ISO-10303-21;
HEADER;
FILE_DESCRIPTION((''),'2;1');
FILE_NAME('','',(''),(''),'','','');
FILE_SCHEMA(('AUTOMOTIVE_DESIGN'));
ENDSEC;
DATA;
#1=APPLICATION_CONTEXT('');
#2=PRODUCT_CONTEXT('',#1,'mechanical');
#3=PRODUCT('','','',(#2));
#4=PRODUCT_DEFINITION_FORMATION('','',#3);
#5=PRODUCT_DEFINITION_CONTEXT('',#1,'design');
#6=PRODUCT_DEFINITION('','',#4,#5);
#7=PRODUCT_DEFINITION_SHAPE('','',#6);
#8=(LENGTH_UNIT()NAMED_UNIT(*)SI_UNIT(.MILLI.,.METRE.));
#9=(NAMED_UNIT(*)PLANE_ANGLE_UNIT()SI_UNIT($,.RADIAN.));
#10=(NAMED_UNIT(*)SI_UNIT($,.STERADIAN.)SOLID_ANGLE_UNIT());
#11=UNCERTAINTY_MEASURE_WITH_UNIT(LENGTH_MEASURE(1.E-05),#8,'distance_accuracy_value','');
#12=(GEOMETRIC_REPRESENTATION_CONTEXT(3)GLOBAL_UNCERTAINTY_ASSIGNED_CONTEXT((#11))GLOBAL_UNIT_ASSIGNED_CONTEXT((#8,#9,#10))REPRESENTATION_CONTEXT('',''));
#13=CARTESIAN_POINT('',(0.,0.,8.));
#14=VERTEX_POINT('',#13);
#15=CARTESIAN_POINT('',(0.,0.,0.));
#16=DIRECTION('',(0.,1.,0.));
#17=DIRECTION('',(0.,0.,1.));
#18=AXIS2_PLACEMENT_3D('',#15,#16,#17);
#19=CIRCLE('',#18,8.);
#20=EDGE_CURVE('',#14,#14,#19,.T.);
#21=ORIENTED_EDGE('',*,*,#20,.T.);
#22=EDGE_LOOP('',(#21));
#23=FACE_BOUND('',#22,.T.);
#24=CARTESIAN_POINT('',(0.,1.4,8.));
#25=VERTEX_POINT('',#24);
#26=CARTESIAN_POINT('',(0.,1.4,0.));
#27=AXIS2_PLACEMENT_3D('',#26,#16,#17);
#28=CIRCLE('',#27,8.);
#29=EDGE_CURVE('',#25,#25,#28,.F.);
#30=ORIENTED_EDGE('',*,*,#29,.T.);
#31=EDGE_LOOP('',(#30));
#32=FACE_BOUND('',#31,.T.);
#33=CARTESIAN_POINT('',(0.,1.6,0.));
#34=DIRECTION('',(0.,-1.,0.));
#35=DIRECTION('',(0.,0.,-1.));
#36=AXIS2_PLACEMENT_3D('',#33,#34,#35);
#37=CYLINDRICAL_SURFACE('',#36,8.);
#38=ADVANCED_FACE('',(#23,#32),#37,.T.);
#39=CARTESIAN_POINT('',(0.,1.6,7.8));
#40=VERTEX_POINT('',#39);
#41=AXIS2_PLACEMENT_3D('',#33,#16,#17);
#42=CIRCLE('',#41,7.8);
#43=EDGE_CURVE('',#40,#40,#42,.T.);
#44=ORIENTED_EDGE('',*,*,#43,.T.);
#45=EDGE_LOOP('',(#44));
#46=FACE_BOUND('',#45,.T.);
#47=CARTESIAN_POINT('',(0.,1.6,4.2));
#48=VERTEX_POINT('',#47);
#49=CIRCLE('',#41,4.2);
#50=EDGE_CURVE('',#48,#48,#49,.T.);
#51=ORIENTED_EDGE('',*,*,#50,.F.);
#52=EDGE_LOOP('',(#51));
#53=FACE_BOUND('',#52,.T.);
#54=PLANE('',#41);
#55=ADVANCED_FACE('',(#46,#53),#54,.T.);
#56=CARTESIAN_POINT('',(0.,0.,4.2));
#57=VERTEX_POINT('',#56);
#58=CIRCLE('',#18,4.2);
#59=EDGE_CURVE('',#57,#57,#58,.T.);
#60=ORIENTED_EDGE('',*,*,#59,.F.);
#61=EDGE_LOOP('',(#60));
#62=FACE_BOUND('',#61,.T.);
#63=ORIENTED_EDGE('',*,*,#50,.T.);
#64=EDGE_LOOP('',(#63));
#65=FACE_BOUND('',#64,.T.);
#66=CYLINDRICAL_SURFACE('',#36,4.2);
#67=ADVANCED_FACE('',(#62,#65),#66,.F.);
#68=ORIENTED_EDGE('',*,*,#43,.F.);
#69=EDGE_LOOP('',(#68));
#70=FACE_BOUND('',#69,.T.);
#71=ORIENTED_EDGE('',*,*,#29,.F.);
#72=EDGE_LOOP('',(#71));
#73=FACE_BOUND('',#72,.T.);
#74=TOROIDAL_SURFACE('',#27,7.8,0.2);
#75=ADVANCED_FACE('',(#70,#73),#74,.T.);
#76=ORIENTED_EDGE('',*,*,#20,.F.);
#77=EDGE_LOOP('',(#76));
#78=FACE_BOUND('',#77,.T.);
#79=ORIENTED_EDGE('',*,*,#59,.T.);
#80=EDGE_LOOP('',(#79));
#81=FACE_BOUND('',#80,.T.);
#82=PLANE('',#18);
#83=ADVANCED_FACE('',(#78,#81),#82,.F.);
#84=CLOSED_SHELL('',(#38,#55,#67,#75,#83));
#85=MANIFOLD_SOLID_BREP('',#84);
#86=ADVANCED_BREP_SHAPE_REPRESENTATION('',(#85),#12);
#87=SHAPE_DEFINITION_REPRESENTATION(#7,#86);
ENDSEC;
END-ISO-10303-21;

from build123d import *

# Parameters (mm, degrees)
SKETCH1_R           = 8
SKETCH1_R_2         = 4.2
BOSS_EXTRUDE1_DEPTH = 1.6
FILLET1_R           = 0.2


with BuildPart() as part:
    # Sketch1 → Boss-Extrude1 (new body)
    with BuildSketch(Plane(origin=(0, 0, 0), x_dir=(1, 0, 0), z_dir=(0, 1, 0))):
        Circle(SKETCH1_R)
        Circle(SKETCH1_R_2, mode=Mode.SUBTRACT)
    extrude(amount=BOSS_EXTRUDE1_DEPTH)

    # Fillet1
    fillet1_edges = [part.edges().sort_by_distance(p)[0] for p in [
        (-8, 1.6, 0),
    ]]
    fillet(fillet1_edges, radius=FILLET1_R)


solid = part.part
